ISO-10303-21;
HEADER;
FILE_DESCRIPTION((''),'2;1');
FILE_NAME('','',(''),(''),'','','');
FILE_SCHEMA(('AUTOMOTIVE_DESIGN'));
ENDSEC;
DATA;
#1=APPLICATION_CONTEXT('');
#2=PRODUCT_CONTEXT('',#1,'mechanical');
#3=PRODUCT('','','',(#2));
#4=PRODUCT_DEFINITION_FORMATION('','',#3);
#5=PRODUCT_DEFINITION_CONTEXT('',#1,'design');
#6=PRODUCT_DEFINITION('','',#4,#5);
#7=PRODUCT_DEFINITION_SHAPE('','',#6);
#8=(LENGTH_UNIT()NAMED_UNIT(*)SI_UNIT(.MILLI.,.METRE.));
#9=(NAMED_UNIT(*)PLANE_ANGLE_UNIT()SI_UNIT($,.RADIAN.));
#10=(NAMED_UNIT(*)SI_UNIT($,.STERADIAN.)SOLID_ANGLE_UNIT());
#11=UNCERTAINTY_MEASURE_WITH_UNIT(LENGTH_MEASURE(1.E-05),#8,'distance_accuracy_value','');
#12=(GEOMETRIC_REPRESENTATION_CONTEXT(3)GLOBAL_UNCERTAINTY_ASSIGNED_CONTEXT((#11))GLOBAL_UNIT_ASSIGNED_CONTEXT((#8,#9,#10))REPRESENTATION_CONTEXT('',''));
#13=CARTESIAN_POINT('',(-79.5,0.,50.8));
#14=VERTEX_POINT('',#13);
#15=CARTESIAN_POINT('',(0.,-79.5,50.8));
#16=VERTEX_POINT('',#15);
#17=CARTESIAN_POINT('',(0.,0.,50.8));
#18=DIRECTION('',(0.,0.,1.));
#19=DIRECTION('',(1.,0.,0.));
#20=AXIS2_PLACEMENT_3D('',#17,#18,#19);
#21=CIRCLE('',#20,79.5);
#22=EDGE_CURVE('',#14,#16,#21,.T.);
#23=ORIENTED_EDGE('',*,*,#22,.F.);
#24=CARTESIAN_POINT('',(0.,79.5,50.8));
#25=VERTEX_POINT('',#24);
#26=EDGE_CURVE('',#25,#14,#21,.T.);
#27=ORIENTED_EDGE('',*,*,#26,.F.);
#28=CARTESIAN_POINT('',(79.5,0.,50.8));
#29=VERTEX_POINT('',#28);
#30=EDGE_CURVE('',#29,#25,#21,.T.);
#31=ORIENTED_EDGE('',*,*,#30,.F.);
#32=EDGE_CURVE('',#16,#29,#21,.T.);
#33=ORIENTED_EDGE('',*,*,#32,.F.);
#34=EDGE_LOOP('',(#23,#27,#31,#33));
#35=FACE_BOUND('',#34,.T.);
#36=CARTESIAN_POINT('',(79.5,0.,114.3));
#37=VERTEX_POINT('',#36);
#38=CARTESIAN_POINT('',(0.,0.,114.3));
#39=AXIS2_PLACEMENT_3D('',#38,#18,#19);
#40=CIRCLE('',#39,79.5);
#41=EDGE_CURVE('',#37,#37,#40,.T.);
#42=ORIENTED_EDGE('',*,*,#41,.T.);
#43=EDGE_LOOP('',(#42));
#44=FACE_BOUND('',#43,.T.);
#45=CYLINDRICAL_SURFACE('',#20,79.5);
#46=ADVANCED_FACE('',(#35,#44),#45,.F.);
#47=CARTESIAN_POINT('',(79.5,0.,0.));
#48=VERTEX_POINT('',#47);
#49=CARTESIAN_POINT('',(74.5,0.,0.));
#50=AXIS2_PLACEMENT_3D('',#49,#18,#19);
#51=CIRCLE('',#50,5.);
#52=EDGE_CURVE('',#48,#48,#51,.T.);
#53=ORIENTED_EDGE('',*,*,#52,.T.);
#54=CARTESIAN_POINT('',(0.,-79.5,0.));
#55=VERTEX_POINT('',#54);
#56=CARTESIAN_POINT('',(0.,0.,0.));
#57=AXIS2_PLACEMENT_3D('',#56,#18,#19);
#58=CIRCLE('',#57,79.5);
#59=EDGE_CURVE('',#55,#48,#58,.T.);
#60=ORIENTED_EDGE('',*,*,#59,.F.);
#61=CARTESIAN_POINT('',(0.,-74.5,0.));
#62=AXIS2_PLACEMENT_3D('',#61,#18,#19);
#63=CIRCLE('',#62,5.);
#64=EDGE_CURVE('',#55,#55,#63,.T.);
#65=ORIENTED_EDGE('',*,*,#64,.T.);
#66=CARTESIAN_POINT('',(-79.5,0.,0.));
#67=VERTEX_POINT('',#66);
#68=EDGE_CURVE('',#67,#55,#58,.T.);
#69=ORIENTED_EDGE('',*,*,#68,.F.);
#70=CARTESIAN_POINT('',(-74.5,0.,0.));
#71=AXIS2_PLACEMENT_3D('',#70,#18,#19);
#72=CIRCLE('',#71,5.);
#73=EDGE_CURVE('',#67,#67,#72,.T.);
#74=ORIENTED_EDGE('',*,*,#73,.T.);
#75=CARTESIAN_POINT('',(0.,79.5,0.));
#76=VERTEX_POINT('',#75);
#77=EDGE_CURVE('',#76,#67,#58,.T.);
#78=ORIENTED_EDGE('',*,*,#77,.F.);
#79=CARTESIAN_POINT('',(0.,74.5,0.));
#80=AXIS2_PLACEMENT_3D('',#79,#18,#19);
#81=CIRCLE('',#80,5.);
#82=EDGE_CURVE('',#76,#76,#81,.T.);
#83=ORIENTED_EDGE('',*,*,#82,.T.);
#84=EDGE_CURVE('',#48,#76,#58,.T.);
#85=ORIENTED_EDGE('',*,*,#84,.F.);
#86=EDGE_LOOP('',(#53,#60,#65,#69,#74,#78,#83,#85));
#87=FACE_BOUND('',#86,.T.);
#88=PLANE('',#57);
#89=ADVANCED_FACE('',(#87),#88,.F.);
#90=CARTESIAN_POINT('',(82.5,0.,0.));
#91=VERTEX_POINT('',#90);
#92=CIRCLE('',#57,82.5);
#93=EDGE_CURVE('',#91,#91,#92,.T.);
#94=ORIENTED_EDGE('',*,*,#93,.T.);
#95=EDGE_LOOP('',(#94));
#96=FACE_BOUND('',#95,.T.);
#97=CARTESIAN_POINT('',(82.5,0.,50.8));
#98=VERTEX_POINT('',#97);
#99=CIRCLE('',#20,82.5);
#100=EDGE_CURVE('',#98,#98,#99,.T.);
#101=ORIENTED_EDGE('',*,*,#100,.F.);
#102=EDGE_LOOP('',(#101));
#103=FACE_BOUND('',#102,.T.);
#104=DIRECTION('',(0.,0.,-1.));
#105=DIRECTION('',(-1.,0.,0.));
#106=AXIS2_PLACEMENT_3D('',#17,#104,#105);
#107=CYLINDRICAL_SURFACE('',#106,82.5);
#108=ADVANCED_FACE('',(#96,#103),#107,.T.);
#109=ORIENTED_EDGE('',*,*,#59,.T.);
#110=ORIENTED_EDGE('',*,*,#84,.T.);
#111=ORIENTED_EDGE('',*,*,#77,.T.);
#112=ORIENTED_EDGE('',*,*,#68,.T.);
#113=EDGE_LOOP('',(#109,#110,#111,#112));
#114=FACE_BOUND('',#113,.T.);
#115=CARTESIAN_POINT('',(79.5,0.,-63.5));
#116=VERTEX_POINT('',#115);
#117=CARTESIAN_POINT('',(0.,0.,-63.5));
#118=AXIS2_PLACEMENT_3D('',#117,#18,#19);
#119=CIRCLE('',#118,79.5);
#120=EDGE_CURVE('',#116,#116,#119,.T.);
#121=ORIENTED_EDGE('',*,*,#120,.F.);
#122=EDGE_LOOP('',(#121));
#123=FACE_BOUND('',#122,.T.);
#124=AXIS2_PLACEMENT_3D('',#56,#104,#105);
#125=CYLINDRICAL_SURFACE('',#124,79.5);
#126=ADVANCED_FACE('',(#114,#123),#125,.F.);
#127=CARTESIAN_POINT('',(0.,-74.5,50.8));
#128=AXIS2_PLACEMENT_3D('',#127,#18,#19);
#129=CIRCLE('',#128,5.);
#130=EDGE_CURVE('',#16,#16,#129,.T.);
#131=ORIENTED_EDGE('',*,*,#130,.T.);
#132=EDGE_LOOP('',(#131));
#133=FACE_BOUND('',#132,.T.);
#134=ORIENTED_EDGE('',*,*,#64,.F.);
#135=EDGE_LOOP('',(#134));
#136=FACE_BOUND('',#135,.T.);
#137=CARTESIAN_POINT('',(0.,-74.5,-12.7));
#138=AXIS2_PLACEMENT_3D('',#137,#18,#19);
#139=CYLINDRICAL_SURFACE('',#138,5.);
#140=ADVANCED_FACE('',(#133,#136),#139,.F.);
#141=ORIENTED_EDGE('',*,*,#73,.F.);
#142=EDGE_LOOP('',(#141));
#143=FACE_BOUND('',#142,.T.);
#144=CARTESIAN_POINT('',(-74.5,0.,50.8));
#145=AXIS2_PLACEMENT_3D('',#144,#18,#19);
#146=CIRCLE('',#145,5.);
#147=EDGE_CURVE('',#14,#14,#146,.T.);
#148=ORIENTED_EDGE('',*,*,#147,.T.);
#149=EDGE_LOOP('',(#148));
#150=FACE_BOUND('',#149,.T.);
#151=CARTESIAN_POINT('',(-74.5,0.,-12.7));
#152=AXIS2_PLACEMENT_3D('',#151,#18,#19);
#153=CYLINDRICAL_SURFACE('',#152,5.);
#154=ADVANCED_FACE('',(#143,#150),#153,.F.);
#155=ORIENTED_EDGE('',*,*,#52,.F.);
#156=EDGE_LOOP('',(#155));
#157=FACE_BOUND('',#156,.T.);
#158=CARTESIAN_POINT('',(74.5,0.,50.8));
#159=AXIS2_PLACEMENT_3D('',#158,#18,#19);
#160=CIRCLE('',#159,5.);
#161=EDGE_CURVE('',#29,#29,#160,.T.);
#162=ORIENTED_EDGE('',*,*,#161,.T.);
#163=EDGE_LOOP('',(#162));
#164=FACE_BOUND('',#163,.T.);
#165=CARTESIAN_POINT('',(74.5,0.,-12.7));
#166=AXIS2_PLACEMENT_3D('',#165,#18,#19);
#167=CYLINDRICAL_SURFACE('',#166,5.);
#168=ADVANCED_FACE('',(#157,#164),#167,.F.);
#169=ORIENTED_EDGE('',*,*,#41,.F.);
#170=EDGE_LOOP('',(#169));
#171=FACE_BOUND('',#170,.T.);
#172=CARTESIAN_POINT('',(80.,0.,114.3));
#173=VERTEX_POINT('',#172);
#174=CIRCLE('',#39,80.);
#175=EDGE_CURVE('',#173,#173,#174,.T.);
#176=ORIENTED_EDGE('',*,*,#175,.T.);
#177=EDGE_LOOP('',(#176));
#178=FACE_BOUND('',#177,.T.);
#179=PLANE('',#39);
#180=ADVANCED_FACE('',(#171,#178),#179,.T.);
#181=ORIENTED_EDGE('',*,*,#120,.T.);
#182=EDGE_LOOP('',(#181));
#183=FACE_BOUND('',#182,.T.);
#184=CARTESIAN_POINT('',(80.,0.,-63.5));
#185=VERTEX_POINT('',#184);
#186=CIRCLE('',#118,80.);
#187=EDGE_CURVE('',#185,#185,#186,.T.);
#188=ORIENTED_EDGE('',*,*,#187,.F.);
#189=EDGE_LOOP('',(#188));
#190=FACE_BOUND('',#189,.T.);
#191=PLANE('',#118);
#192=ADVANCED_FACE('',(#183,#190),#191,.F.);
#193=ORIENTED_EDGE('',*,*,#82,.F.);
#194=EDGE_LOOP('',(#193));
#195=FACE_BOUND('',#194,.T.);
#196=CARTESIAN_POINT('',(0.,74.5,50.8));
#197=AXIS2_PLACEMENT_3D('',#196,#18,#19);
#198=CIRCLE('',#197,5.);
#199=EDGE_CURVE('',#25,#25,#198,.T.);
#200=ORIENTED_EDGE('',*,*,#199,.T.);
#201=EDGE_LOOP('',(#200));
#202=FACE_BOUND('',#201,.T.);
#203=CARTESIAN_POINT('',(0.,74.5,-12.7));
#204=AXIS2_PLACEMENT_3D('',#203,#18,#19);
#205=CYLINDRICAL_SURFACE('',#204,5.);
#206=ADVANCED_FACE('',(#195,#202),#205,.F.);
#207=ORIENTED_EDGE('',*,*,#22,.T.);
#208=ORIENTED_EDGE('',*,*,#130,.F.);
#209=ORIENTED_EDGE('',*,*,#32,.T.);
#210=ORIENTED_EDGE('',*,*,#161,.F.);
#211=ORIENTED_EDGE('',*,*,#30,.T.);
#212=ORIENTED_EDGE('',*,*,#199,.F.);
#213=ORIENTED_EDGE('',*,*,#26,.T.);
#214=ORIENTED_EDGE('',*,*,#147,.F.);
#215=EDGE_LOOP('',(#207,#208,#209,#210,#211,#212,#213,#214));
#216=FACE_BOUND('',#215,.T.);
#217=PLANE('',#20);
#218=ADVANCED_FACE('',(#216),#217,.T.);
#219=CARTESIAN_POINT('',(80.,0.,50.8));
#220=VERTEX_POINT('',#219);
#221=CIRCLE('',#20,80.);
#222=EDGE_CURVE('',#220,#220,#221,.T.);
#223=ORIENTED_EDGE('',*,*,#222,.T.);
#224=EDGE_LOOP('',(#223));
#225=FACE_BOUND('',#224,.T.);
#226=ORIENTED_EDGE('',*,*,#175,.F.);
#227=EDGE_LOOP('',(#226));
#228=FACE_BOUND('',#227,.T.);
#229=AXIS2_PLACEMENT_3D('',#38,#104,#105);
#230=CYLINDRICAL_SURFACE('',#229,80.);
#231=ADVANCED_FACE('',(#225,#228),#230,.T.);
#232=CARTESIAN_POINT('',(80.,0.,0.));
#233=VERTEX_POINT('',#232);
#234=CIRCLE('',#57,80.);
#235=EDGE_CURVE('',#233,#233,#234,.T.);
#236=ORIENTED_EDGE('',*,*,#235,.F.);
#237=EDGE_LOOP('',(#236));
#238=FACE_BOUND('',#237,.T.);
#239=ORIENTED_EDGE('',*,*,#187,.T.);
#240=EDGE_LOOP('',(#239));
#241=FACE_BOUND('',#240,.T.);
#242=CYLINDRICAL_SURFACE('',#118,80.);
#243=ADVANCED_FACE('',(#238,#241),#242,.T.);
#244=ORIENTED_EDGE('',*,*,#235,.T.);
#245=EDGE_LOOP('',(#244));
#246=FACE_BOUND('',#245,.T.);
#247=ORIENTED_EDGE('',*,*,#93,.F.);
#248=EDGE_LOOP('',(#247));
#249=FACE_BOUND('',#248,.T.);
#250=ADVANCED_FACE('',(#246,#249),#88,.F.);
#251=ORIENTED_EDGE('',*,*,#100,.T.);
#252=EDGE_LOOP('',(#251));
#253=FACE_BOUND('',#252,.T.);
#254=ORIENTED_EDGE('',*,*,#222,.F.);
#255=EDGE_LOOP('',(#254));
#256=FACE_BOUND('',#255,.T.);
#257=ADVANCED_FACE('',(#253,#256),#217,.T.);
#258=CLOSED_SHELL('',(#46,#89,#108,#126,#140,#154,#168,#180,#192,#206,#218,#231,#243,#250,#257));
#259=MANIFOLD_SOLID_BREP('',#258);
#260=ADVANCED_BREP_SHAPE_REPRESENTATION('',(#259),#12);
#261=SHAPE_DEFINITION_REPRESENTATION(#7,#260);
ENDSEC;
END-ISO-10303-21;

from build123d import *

# Parameters (mm, degrees)
SKETCH1_R           = 82.5
BOSS_EXTRUDE2_DEPTH = 50.8
SKETCH2_R           = 80
BOSS_EXTRUDE3_DEPTH = 63.5
BOSS_EXTRUDE4_START = -63.5
SKETCH3_R           = 80
BOSS_EXTRUDE4_DEPTH = 63.5
SKETCH7_R           = 79.5
CUT_EXTRUDE1_DEPTH  = 63.5
CUT_EXTRUDE2_START  = 63.5
SKETCH8_R           = 79.5
CUT_EXTRUDE2_DEPTH  = 63.5
SKETCH10_R          = 5
CUT_EXTRUDE3_DEPTH  = 63.5


with BuildPart() as part:
    # Sketch1 → Boss-Extrude2 (new body)
    with BuildSketch(Plane.XY):
        Circle(SKETCH1_R)
    extrude(amount=BOSS_EXTRUDE2_DEPTH)

    # Sketch2 → Boss-Extrude3 (add)
    with BuildSketch(Plane.XY.offset(50.8)):
        Circle(SKETCH2_R)
    extrude(amount=BOSS_EXTRUDE3_DEPTH)

    # Sketch3 → Boss-Extrude4 (add)
    with BuildSketch(Plane.XY.offset(BOSS_EXTRUDE4_START)):
        Circle(SKETCH3_R)
    extrude(amount=BOSS_EXTRUDE4_DEPTH)

    # Sketch7 → Cut-Extrude1 (cut)
    with BuildSketch(Plane.XY.offset(114.3)):
        Circle(SKETCH7_R)
    extrude(amount=-CUT_EXTRUDE1_DEPTH, mode=Mode.SUBTRACT)

    # Sketch8 → Cut-Extrude2 (cut)
    with BuildSketch(Plane.XY.offset(-63.5).offset(CUT_EXTRUDE2_START)):
        Circle(SKETCH8_R)
    extrude(amount=-CUT_EXTRUDE2_DEPTH, mode=Mode.SUBTRACT)

    # Sketch10 → Cut-Extrude3 (cut)
    with BuildSketch(Plane.XY.offset(50.8)):
        with Locations(Location((0, 74.5, 0), (0, 0, 90.000374339))):
            Circle(SKETCH10_R)
        with Locations(Location((74.5, 0, 0), (0, 0, 0.000381298))):
            Circle(SKETCH10_R)
        with Locations(Location((0, -74.5, 0), (0, 0, 270.000382713))):
            Circle(SKETCH10_R)
        with Locations(Location((-74.5, 0, 0), (0, 0, 179.999623258))):
            Circle(SKETCH10_R)
    extrude(amount=-CUT_EXTRUDE3_DEPTH, mode=Mode.SUBTRACT)


with BuildPart() as cut_extrude3_kept_piece:
    # of the separate pieces the step leaves, the one the design keeps (cut_extrude3_pieces_kept)
    add(part.part.solids().sort_by_distance((82.5, 0, 50.8))[0])


solid = cut_extrude3_kept_piece.part
